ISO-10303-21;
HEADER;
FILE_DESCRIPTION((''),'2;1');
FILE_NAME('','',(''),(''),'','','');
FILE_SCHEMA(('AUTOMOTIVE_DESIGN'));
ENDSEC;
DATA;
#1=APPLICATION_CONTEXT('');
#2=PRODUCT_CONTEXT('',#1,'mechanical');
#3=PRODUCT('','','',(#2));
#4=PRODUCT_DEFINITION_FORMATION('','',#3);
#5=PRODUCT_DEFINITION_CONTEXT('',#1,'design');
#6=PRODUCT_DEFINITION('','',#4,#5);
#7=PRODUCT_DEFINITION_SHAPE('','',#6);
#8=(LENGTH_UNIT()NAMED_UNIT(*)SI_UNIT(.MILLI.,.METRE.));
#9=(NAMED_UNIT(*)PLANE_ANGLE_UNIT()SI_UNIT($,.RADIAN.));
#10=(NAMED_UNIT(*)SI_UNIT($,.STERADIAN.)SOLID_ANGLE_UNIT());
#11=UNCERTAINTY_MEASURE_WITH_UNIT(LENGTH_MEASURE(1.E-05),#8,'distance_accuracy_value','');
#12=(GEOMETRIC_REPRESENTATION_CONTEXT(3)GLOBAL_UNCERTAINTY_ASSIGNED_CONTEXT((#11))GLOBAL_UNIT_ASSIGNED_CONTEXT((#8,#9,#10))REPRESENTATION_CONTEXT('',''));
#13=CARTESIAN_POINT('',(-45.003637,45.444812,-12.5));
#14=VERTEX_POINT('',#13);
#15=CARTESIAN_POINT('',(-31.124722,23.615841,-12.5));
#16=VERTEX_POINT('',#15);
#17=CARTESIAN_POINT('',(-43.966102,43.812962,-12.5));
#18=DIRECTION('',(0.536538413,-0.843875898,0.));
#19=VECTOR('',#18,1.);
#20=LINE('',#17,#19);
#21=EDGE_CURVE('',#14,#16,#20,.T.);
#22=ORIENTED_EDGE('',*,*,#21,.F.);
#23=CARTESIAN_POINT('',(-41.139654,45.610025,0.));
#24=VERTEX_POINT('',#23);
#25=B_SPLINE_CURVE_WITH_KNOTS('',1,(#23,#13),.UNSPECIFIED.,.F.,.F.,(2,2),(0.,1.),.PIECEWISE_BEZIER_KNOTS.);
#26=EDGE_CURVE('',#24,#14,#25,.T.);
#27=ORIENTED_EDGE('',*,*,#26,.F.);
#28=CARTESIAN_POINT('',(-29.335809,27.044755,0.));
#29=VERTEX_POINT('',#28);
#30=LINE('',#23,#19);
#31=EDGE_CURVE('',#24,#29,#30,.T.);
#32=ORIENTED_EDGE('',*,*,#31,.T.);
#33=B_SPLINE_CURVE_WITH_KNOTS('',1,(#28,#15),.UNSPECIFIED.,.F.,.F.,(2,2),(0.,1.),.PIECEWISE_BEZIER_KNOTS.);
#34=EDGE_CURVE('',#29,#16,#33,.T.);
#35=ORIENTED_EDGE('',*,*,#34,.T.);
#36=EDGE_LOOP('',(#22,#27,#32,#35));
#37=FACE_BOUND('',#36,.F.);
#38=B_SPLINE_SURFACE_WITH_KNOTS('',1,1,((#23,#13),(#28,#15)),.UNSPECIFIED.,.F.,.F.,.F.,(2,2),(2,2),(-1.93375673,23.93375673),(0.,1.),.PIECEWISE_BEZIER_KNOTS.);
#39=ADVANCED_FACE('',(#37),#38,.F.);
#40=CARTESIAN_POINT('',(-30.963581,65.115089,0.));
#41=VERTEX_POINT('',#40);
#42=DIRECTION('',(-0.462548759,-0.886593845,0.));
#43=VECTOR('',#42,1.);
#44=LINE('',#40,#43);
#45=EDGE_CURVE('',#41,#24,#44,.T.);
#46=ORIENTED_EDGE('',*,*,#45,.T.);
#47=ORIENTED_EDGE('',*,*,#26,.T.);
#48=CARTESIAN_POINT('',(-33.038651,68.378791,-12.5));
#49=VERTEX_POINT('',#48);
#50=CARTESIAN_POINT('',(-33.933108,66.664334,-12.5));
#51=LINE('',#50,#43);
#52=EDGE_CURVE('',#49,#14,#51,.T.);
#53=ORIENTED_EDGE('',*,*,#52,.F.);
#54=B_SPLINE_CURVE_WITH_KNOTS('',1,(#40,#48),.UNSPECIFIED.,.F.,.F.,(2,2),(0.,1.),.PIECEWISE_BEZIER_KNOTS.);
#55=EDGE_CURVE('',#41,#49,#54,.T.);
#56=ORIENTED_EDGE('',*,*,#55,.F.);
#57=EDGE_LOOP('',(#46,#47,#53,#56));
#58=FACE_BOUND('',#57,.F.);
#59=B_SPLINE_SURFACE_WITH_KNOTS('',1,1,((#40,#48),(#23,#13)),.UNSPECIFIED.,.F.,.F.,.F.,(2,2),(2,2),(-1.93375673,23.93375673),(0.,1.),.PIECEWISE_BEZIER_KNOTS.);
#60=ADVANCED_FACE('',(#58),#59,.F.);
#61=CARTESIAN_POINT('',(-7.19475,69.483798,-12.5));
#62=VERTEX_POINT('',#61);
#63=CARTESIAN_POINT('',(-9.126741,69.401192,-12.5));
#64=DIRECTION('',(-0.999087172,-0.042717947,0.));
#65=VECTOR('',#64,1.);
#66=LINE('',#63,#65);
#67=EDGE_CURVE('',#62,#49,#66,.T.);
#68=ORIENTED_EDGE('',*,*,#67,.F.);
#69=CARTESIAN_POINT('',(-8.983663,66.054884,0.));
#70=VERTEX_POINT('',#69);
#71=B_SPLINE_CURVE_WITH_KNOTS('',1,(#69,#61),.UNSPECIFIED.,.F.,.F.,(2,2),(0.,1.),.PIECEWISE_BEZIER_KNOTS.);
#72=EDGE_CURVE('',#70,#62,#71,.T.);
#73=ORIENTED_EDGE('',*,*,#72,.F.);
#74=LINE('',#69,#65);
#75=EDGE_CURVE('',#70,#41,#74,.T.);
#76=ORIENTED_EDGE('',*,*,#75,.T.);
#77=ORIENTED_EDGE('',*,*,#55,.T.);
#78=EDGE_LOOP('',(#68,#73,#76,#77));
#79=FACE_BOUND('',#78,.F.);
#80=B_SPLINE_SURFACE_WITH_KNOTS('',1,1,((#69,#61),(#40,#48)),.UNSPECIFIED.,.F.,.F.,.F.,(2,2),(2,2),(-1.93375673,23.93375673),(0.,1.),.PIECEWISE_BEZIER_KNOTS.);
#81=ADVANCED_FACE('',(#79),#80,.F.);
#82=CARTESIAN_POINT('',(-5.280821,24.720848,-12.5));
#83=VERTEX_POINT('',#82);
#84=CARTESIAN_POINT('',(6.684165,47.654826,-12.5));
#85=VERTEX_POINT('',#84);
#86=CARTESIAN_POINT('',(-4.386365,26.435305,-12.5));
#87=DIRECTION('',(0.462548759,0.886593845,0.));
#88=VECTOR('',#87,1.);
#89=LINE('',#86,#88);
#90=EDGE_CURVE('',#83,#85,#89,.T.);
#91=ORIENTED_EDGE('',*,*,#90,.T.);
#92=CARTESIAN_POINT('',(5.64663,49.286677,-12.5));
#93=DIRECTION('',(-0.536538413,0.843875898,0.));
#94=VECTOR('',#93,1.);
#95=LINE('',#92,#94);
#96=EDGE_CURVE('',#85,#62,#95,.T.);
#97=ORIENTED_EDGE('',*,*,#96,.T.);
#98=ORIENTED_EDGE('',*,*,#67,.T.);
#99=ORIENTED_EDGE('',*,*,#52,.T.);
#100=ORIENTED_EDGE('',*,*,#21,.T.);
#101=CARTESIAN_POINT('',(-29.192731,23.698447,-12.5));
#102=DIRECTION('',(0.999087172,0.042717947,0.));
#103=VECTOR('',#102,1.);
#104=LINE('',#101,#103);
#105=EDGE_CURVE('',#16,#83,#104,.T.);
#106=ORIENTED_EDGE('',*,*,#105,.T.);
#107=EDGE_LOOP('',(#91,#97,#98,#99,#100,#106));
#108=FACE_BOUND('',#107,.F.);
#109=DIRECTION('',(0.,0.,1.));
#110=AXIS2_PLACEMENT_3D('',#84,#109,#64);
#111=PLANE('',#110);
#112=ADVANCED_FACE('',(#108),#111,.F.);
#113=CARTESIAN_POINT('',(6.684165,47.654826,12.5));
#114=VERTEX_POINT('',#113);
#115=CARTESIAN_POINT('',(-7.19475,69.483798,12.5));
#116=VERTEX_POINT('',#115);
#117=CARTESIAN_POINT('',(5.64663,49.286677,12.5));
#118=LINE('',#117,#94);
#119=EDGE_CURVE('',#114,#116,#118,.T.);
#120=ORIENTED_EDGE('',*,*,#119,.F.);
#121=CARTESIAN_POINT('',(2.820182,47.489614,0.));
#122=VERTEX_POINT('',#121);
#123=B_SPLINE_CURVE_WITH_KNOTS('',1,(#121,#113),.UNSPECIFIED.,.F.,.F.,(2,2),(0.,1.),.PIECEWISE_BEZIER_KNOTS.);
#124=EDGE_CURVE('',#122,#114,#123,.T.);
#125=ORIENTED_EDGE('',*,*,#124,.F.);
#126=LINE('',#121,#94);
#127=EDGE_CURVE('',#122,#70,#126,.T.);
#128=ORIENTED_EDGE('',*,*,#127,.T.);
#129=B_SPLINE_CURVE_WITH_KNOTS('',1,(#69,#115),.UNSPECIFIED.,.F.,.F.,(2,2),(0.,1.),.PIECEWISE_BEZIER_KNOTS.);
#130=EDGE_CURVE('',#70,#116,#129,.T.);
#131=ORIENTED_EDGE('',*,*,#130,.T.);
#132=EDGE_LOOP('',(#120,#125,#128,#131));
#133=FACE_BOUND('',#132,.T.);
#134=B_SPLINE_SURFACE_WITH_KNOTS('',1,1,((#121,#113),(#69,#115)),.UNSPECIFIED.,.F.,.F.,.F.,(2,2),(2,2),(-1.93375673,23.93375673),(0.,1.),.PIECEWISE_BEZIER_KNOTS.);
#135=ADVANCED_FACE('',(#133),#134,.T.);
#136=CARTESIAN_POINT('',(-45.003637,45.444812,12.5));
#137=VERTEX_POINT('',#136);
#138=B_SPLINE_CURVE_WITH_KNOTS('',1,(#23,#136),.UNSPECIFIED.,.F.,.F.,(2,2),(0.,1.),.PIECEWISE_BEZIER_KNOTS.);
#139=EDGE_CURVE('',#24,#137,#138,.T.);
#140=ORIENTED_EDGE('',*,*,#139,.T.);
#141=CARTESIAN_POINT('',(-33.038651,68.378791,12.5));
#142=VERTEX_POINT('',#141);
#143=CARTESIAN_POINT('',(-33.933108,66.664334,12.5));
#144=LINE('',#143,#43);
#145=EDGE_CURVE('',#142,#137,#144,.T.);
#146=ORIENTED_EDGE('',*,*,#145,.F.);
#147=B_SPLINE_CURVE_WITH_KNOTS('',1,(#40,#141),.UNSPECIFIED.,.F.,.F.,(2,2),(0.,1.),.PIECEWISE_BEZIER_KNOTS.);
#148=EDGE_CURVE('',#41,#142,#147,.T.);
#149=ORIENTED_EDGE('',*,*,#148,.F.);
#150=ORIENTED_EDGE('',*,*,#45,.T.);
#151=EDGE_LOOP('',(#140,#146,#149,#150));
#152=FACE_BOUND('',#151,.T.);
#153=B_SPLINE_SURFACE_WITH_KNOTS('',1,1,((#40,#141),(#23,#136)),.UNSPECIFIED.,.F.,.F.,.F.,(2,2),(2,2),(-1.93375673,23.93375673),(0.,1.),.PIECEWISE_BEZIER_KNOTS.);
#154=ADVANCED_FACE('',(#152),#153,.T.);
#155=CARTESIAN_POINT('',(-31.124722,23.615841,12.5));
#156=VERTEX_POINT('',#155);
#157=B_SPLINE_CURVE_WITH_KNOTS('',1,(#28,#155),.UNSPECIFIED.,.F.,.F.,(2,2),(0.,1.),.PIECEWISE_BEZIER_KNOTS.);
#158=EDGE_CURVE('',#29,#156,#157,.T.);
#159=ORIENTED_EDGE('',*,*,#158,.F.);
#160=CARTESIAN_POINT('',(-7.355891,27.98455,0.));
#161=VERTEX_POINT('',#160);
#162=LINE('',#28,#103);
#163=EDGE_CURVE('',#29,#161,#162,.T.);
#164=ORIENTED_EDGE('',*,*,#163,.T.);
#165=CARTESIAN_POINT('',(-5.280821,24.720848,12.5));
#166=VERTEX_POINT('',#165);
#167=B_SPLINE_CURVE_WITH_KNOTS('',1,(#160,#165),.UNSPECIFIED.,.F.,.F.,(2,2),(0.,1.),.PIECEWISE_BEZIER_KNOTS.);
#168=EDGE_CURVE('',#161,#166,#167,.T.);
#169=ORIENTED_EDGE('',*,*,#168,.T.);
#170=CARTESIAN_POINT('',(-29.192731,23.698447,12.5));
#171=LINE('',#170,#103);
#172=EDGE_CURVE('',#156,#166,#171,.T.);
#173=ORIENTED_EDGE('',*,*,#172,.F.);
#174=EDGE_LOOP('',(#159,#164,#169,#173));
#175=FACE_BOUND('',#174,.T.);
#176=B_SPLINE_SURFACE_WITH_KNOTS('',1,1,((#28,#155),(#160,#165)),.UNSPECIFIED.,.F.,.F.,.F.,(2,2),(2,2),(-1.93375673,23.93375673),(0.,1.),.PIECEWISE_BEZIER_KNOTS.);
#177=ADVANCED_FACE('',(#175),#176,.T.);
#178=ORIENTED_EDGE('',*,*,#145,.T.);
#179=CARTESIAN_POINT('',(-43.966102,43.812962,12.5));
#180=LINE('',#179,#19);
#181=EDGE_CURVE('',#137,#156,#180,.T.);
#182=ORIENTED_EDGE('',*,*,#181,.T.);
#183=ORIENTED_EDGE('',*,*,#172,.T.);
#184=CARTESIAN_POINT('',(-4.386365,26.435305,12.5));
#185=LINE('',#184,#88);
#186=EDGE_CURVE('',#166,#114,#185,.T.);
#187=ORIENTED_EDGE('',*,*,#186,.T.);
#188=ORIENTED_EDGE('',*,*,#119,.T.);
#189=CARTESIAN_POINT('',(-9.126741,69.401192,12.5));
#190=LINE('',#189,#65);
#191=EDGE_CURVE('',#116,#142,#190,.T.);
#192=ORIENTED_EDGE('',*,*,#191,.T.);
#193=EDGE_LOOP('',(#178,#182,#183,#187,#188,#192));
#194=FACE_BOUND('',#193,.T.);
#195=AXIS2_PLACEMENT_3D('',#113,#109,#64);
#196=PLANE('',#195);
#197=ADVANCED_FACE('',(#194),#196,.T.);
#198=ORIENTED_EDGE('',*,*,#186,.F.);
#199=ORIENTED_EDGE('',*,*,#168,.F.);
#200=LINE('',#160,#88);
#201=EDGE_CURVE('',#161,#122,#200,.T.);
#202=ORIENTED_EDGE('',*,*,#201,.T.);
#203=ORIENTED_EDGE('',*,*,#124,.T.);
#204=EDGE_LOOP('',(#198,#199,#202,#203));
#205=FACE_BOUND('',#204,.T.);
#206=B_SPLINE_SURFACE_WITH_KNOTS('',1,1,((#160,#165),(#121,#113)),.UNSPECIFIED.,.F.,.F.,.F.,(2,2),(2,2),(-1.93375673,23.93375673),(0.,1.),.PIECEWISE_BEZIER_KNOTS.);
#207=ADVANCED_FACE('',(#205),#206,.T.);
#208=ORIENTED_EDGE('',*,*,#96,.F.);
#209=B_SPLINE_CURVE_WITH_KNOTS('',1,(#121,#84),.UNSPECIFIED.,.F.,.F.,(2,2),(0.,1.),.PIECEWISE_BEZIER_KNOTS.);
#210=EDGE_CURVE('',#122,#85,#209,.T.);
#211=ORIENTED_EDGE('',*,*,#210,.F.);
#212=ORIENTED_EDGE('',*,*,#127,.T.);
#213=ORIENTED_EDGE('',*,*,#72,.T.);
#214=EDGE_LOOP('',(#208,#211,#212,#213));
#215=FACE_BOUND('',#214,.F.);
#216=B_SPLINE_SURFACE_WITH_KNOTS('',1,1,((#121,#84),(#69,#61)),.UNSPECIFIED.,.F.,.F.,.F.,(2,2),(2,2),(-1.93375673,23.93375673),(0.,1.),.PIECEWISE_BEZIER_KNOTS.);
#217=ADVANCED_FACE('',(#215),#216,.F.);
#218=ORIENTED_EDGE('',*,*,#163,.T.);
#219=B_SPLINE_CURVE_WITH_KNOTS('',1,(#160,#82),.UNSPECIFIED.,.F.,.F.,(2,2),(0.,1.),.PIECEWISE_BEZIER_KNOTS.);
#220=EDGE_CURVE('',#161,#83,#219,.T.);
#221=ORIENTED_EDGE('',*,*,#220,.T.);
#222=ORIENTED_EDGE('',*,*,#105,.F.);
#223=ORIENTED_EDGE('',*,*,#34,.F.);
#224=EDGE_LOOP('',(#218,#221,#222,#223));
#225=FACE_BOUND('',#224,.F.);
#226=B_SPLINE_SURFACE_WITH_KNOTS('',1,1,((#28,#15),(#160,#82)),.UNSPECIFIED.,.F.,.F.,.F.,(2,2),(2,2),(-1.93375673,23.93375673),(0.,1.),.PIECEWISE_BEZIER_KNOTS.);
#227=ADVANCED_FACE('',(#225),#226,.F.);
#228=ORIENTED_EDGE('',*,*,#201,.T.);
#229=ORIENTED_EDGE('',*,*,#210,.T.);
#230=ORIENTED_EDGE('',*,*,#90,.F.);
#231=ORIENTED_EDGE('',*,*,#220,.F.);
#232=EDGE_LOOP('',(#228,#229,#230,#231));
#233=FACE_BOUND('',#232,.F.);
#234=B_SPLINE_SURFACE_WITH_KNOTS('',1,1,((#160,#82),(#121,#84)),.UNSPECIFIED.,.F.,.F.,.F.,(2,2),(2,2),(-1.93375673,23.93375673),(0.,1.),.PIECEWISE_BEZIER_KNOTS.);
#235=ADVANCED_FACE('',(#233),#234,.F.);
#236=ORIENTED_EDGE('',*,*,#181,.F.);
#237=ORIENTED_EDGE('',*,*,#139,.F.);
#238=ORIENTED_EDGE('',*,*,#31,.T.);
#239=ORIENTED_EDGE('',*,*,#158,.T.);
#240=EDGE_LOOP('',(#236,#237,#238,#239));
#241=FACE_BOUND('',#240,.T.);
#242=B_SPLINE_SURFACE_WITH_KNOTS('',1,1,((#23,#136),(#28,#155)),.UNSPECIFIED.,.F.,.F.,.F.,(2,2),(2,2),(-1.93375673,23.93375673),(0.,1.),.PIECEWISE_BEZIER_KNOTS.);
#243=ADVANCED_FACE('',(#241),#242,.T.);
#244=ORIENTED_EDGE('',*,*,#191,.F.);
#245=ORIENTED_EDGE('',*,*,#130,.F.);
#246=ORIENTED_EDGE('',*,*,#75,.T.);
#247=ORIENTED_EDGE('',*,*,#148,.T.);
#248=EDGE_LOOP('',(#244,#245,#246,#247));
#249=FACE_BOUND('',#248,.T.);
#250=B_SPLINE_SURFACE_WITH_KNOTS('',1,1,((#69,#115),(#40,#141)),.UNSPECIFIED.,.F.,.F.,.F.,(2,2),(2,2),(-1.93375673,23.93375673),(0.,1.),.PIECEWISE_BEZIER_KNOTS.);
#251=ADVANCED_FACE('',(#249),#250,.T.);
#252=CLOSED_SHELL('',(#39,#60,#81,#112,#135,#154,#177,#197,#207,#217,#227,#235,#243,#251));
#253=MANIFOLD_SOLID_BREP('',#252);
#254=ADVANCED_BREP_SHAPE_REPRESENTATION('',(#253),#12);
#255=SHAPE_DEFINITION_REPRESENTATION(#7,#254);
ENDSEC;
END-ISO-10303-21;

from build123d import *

# Parameters (mm, degrees)
F1_DEPTH = 12.5
F1_TAPER = -15


with BuildPart() as f1:
    # F0 (on Top) → F1 (new body, symmetric)
    with BuildSketch(Plane.XY):
        Polygon((2.8201816698, 47.4896142352), (-8.9836634141, 66.0548839945), (-30.9635811957, 65.1150891691), (-41.1396538934, 45.6100245845), (-29.3358088095, 27.0447548252), (-7.3558910279, 27.9845496506), align=None)
    extrude(amount=F1_DEPTH, both=True, taper=F1_TAPER)


solid = f1.part
